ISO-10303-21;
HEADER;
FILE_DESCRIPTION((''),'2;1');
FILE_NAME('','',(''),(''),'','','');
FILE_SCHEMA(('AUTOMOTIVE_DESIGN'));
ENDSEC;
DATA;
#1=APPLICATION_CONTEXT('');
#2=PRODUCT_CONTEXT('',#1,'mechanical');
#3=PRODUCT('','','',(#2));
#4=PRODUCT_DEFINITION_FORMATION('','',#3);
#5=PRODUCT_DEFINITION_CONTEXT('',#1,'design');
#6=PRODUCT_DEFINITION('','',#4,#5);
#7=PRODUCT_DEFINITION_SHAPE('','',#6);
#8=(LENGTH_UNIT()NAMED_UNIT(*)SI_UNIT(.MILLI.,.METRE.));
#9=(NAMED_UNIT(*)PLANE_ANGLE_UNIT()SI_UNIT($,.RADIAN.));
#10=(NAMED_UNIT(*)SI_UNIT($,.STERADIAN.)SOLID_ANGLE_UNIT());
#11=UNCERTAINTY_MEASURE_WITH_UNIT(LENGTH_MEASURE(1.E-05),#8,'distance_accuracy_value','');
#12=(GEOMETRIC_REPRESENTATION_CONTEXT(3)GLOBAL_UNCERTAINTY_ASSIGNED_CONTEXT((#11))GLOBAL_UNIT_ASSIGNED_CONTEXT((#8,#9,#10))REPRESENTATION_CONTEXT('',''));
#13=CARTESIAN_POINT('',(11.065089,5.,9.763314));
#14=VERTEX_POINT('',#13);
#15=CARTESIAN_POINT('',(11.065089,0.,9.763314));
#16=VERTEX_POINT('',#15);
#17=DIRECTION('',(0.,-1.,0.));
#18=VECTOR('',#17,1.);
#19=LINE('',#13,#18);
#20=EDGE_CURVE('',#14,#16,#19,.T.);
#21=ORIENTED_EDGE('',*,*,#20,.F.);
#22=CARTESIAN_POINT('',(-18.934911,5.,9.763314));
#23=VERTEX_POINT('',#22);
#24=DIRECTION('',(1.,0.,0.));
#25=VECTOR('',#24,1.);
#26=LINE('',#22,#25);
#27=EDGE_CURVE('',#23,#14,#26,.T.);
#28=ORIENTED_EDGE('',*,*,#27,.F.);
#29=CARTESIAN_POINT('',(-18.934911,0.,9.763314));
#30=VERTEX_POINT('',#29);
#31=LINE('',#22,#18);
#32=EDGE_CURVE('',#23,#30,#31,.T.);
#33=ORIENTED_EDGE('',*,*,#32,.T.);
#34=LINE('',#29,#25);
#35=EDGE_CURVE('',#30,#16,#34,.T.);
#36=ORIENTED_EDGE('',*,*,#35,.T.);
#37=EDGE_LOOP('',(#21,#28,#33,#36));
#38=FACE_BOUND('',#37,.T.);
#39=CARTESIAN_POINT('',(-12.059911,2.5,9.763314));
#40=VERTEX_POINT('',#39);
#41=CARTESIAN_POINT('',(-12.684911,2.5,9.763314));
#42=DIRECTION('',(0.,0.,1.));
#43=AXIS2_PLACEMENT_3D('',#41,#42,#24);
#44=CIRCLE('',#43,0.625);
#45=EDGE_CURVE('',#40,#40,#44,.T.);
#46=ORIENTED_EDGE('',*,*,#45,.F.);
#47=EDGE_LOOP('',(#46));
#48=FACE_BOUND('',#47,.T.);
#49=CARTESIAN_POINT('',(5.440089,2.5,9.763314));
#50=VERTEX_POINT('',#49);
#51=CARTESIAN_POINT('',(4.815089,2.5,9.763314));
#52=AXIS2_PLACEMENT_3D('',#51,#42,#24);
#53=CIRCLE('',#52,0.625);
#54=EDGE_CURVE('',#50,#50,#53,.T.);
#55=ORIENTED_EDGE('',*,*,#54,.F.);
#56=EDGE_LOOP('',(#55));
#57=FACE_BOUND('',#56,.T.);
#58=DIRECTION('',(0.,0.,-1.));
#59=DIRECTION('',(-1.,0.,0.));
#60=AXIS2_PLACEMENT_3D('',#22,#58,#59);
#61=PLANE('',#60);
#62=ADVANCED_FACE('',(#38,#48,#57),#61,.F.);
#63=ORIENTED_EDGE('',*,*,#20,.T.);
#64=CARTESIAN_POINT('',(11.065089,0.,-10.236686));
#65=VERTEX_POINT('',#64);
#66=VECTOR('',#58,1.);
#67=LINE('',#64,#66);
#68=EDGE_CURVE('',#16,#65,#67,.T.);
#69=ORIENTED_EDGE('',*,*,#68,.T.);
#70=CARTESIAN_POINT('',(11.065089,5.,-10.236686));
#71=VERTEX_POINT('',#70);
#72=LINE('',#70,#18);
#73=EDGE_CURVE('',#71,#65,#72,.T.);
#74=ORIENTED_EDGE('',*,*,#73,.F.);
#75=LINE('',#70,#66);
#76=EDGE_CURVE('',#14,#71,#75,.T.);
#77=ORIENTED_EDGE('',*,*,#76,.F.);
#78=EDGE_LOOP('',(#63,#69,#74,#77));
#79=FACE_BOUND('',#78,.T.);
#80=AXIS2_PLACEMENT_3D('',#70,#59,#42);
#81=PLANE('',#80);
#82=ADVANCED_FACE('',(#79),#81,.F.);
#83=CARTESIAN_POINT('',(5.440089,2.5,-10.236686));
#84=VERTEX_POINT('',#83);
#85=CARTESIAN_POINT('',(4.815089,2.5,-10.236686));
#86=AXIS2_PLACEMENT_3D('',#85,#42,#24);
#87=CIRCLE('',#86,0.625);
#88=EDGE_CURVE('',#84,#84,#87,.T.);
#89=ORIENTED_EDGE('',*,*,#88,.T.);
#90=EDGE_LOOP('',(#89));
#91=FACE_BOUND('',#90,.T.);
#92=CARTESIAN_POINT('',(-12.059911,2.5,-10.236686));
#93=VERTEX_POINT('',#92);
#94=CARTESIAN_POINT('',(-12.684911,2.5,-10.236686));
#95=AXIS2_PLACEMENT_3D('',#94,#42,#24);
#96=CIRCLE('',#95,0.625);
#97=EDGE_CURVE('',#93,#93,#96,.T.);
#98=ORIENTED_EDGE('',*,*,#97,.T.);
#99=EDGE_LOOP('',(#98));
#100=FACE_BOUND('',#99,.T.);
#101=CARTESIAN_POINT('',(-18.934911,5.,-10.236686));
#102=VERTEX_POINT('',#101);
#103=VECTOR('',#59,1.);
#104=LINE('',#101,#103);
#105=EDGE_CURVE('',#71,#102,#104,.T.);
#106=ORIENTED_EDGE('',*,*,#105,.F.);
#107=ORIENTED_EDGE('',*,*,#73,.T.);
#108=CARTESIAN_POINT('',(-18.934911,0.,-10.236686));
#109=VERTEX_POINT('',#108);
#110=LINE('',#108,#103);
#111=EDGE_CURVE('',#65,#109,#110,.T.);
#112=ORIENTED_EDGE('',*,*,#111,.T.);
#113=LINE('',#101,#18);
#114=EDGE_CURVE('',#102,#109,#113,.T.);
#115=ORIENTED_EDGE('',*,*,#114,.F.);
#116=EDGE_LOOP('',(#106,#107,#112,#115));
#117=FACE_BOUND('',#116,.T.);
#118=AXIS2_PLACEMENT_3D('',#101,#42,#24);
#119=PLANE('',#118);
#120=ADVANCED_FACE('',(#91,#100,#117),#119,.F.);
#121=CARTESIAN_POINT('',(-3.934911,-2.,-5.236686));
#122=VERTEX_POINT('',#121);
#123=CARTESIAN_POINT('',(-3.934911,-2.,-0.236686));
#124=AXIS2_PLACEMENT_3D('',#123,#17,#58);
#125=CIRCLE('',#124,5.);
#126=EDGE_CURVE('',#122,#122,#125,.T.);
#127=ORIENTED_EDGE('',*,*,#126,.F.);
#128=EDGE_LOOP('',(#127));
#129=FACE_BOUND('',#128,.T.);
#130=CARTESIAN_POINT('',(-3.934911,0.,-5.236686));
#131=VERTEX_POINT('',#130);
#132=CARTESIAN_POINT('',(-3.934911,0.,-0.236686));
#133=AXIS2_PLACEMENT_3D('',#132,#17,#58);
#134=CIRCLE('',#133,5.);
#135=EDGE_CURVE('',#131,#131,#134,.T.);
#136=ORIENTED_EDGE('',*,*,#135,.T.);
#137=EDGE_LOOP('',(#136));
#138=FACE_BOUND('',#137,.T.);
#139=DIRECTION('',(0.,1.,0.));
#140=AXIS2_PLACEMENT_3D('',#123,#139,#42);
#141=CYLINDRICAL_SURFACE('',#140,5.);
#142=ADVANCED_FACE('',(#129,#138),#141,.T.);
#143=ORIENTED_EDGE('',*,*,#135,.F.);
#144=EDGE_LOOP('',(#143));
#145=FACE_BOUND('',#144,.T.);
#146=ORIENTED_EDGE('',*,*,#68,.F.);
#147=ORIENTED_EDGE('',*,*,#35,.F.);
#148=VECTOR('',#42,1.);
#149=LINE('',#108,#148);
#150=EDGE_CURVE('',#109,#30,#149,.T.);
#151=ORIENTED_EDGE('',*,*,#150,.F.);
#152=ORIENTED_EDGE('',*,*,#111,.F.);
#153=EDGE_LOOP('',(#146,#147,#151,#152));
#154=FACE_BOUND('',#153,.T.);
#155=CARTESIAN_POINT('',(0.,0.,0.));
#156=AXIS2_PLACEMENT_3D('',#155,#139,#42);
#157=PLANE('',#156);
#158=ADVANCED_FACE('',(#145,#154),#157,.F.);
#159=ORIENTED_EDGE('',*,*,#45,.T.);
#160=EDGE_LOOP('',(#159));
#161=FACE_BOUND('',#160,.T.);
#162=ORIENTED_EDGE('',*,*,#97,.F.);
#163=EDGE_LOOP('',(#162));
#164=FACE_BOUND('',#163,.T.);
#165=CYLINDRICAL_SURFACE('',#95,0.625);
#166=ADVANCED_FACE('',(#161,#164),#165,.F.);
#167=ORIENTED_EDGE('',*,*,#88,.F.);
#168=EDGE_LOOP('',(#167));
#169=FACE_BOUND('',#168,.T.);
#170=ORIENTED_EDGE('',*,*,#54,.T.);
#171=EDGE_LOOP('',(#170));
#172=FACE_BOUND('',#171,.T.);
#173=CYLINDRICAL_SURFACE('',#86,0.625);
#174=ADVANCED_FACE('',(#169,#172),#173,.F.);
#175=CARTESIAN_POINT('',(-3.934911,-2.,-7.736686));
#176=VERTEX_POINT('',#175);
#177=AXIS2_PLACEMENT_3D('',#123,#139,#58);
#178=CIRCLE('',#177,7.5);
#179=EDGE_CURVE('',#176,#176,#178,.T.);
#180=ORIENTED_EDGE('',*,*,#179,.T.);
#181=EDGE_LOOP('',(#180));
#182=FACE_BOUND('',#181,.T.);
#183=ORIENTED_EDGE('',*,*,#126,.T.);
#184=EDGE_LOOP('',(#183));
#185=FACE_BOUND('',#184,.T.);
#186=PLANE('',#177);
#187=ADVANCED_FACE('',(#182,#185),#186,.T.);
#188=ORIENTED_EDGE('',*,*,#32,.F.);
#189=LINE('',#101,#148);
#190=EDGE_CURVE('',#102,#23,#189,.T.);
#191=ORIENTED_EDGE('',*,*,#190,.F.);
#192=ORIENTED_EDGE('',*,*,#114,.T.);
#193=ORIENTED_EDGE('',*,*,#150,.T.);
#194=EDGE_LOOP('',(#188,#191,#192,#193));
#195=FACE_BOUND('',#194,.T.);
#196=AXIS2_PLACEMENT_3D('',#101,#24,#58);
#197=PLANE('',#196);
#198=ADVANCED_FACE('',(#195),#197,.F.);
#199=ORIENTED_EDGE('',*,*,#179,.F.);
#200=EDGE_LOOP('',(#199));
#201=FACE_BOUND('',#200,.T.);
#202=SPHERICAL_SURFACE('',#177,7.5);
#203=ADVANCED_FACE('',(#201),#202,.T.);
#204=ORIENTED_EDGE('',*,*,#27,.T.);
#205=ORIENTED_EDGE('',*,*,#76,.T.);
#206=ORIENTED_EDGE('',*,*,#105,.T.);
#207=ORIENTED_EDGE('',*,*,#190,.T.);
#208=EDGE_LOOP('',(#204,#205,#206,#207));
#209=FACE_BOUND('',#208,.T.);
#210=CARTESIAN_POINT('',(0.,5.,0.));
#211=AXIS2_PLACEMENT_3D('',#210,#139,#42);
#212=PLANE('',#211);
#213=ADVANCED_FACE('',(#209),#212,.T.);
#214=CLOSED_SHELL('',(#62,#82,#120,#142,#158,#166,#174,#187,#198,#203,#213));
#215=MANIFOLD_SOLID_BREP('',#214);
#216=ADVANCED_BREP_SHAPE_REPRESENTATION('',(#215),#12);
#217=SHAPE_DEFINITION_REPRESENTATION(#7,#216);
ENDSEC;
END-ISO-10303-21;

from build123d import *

# Parameters (mm, degrees)
SKETCH2_W           = 30
SKETCH2_H           = 20
BOSS_EXTRUDE2_DEPTH = 5
SKETCH3_R           = 5
BOSS_EXTRUDE3_DEPTH = 2
REVOLVE1_ANGLE      = 180
SKETCH5_R           = 0.625
CUT_EXTRUDE2_DEPTH  = 20


with BuildPart() as part:
    # Sketch2 → Boss-Extrude2 (new body)
    with BuildSketch(Plane(origin=(0, 0, 0), x_dir=(1, 0, 0), z_dir=(0, 1, 0))):
        with Locations((-3.934911243, 0.236686391)):
            Rectangle(SKETCH2_W, SKETCH2_H)
    extrude(amount=BOSS_EXTRUDE2_DEPTH)

    # Sketch3 → Boss-Extrude3 (add)
    with BuildSketch(Plane.XZ):
        with Locations(Location((-3.934911243, -0.236686391, 0), (0, 0, 270))):
            Circle(SKETCH3_R)
    extrude(amount=BOSS_EXTRUDE3_DEPTH)

    # Sketch4 → Revolve1 (revolve)
    with BuildSketch(Plane(origin=(0, -2, 0), x_dir=(-1, 0, 0), z_dir=(0, -1, 0))):
        with BuildLine():
            Line((3.934911243, -7.263313609), (3.934911243, 7.736686391))
            ThreePointArc((3.934911243, 7.736686391), (11.434911243, 0.236686391), (3.934911243, -7.263313609))
        make_face()
    revolve(axis=Axis((-3.934911243, -2, 7.263313609), (0, 0, 1)), revolution_arc=REVOLVE1_ANGLE)

    # Sketch5 → Cut-Extrude2 (cut)
    with BuildSketch(Plane.XY.offset(9.763313609)):
        with Locations((-12.684911243, 2.5)):
            Circle(SKETCH5_R)
        with Locations((4.815088757, 2.5)):
            Circle(SKETCH5_R)
    extrude(amount=-CUT_EXTRUDE2_DEPTH, mode=Mode.SUBTRACT)


solid = part.part
